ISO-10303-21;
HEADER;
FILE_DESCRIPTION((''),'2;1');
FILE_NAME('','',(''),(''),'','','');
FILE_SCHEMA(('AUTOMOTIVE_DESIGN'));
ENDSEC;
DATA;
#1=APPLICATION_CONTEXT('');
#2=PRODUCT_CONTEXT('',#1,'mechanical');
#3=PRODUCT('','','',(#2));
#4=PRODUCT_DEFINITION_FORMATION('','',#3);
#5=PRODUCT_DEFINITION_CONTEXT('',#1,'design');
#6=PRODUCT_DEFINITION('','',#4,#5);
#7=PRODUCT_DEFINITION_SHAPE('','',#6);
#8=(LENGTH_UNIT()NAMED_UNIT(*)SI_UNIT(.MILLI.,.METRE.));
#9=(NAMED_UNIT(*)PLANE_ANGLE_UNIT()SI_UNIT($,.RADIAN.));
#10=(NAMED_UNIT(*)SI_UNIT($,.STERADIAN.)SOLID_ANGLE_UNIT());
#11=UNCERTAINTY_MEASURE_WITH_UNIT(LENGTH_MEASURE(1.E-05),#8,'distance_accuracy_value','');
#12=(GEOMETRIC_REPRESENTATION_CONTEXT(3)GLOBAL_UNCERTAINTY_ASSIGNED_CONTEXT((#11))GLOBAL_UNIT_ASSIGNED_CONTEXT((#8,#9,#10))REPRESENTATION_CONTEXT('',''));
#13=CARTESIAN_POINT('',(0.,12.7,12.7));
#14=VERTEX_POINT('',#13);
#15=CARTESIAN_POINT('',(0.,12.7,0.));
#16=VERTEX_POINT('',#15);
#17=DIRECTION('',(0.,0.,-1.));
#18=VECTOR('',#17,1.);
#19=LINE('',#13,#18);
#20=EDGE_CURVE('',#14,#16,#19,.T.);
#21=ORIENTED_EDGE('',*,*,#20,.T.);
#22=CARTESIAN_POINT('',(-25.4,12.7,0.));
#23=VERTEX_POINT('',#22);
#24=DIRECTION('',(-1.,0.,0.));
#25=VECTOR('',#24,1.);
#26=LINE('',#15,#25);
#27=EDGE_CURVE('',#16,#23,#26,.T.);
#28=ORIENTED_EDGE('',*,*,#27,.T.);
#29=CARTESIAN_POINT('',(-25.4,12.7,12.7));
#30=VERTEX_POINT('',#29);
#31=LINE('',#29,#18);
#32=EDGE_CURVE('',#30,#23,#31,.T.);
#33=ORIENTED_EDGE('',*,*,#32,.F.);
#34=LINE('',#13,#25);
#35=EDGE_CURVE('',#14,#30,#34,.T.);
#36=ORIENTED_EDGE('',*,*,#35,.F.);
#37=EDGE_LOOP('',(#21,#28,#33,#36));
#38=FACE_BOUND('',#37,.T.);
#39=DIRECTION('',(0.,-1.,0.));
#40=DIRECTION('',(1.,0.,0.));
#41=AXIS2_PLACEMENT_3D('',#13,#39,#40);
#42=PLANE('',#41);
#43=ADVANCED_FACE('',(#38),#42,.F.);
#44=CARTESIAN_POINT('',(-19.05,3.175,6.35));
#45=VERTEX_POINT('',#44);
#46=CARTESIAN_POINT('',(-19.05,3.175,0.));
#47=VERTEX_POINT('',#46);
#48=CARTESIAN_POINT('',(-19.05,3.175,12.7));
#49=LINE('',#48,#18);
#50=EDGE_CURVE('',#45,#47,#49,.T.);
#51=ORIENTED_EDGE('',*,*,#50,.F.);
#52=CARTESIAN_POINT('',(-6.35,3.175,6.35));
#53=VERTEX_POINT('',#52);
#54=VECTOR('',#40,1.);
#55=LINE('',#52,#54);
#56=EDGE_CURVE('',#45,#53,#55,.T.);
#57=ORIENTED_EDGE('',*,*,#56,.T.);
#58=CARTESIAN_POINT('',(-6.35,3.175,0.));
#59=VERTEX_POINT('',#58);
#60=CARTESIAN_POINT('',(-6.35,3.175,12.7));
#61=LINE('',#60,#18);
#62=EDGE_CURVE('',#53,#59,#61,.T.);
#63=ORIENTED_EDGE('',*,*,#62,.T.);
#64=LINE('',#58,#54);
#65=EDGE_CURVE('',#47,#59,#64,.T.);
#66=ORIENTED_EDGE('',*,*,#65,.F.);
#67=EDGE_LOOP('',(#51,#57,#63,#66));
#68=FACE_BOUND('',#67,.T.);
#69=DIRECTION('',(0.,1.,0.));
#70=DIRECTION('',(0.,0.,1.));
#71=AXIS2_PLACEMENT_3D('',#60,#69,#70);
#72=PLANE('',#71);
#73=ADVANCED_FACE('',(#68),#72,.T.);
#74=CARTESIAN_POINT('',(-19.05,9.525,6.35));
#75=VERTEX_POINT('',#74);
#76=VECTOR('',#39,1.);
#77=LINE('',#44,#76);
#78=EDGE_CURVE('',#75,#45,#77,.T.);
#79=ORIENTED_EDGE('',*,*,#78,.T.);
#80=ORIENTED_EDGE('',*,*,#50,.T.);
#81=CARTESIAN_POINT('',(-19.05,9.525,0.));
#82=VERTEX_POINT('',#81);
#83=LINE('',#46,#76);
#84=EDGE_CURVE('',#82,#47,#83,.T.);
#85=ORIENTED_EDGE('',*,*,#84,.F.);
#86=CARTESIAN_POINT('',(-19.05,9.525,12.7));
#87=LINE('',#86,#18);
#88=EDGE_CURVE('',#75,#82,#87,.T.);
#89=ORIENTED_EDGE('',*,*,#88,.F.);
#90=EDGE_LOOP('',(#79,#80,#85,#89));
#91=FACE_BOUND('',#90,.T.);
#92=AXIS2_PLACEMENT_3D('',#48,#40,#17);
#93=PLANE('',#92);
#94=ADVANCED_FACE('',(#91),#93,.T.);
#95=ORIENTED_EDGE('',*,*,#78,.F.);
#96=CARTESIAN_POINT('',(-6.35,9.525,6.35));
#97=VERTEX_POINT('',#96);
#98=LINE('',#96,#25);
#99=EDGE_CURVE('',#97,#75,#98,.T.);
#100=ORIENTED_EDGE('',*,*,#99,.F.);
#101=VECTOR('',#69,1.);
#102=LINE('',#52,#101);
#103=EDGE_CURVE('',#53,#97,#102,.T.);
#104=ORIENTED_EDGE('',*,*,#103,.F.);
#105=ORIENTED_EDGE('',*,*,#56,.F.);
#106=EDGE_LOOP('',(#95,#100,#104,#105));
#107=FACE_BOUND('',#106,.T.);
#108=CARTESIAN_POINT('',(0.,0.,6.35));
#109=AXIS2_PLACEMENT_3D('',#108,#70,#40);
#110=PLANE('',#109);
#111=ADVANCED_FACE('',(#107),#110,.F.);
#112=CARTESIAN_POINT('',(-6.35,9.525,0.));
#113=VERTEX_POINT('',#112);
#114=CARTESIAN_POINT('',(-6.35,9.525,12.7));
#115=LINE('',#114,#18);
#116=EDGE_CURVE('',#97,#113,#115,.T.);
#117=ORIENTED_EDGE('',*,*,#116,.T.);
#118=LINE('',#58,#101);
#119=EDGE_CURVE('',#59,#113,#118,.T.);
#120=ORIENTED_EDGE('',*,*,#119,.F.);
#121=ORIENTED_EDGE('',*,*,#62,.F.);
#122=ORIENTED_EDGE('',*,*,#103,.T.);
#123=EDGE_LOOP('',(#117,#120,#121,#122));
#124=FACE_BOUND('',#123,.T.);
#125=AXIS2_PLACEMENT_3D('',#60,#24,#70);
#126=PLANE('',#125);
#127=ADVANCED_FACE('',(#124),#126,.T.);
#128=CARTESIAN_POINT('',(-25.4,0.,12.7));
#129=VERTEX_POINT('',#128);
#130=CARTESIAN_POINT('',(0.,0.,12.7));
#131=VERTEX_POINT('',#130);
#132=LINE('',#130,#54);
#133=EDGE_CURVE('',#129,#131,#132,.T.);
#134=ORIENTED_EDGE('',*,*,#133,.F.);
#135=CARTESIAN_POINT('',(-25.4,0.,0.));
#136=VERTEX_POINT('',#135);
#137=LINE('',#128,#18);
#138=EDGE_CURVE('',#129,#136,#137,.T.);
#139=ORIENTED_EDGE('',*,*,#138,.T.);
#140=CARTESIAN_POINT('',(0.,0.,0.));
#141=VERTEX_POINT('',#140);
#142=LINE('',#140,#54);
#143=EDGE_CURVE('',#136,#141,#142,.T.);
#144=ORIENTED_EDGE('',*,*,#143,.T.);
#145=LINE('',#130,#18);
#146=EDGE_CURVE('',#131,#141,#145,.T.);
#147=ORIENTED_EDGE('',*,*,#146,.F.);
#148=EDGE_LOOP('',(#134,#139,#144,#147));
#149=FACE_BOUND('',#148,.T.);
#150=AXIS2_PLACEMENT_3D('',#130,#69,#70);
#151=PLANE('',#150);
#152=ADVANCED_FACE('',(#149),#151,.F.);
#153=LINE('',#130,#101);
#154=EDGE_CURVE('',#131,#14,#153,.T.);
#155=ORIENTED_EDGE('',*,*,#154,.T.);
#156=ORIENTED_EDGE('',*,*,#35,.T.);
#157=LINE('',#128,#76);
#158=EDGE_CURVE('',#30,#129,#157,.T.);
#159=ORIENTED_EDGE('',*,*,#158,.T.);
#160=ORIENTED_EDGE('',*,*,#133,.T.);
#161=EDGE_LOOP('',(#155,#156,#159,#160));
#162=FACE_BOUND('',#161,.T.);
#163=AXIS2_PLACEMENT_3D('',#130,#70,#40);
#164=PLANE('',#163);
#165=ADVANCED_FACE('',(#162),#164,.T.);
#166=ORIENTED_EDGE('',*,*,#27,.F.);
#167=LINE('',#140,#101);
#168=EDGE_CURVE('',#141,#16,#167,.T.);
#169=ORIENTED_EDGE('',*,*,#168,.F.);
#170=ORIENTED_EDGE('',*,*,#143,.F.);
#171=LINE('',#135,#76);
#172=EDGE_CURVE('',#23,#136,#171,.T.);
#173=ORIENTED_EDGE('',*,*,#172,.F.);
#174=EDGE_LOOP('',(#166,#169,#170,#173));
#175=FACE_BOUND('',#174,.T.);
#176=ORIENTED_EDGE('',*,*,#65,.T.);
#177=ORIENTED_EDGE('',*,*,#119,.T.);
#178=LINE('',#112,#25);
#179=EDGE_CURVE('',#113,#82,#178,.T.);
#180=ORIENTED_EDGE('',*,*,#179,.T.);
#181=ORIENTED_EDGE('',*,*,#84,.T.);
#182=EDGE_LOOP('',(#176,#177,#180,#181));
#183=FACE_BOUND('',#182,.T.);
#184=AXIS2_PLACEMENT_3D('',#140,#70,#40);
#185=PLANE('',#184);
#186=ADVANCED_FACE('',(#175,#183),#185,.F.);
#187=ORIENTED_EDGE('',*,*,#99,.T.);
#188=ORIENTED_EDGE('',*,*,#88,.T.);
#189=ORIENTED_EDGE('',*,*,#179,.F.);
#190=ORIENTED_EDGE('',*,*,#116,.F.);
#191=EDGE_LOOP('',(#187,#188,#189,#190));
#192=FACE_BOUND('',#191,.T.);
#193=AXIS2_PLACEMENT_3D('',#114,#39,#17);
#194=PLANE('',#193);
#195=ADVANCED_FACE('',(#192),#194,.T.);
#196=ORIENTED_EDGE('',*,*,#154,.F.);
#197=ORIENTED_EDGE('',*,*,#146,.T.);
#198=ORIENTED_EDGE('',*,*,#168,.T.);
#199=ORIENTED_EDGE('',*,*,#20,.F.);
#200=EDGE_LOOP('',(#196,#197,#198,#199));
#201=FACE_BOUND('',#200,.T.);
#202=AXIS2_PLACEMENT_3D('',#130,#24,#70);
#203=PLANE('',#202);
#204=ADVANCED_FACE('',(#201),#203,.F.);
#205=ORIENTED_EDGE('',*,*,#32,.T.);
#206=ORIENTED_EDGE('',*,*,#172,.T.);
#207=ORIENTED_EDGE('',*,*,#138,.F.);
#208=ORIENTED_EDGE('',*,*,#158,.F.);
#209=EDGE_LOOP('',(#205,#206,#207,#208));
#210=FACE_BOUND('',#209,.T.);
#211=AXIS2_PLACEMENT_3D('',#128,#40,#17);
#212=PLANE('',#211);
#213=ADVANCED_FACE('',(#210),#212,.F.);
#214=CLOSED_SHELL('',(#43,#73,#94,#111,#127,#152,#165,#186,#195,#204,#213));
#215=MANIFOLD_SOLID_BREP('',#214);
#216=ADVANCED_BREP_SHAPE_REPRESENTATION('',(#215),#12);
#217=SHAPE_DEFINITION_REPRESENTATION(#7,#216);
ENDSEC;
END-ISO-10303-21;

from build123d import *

# Parameters (mm, degrees)
SKETCH1_W           = 25.4
SKETCH1_H           = 12.7
SKETCH1_W_2         = 12.7
SKETCH1_H_2         = 6.35
BOSS_EXTRUDE1_DEPTH = 12.7
SKETCH2_W           = 12.7
SKETCH2_H           = 6.35
BOSS_EXTRUDE2_DEPTH = 6.35


with BuildPart() as part:
    # Sketch1 → Boss-Extrude1 (new body)
    with BuildSketch(Plane.XY):
        with Locations((-12.7, 6.35)):
            Rectangle(SKETCH1_W, SKETCH1_H)
        with Locations((-12.7, 6.35)):
            Rectangle(SKETCH1_W_2, SKETCH1_H_2, mode=Mode.SUBTRACT)
    extrude(amount=BOSS_EXTRUDE1_DEPTH)

    # Sketch2 → Boss-Extrude2 (add)
    with BuildSketch(Plane.XY.offset(12.7)):
        with Locations((-12.7, 6.35)):
            Rectangle(SKETCH2_W, SKETCH2_H)
    extrude(amount=-BOSS_EXTRUDE2_DEPTH)


solid = part.part
